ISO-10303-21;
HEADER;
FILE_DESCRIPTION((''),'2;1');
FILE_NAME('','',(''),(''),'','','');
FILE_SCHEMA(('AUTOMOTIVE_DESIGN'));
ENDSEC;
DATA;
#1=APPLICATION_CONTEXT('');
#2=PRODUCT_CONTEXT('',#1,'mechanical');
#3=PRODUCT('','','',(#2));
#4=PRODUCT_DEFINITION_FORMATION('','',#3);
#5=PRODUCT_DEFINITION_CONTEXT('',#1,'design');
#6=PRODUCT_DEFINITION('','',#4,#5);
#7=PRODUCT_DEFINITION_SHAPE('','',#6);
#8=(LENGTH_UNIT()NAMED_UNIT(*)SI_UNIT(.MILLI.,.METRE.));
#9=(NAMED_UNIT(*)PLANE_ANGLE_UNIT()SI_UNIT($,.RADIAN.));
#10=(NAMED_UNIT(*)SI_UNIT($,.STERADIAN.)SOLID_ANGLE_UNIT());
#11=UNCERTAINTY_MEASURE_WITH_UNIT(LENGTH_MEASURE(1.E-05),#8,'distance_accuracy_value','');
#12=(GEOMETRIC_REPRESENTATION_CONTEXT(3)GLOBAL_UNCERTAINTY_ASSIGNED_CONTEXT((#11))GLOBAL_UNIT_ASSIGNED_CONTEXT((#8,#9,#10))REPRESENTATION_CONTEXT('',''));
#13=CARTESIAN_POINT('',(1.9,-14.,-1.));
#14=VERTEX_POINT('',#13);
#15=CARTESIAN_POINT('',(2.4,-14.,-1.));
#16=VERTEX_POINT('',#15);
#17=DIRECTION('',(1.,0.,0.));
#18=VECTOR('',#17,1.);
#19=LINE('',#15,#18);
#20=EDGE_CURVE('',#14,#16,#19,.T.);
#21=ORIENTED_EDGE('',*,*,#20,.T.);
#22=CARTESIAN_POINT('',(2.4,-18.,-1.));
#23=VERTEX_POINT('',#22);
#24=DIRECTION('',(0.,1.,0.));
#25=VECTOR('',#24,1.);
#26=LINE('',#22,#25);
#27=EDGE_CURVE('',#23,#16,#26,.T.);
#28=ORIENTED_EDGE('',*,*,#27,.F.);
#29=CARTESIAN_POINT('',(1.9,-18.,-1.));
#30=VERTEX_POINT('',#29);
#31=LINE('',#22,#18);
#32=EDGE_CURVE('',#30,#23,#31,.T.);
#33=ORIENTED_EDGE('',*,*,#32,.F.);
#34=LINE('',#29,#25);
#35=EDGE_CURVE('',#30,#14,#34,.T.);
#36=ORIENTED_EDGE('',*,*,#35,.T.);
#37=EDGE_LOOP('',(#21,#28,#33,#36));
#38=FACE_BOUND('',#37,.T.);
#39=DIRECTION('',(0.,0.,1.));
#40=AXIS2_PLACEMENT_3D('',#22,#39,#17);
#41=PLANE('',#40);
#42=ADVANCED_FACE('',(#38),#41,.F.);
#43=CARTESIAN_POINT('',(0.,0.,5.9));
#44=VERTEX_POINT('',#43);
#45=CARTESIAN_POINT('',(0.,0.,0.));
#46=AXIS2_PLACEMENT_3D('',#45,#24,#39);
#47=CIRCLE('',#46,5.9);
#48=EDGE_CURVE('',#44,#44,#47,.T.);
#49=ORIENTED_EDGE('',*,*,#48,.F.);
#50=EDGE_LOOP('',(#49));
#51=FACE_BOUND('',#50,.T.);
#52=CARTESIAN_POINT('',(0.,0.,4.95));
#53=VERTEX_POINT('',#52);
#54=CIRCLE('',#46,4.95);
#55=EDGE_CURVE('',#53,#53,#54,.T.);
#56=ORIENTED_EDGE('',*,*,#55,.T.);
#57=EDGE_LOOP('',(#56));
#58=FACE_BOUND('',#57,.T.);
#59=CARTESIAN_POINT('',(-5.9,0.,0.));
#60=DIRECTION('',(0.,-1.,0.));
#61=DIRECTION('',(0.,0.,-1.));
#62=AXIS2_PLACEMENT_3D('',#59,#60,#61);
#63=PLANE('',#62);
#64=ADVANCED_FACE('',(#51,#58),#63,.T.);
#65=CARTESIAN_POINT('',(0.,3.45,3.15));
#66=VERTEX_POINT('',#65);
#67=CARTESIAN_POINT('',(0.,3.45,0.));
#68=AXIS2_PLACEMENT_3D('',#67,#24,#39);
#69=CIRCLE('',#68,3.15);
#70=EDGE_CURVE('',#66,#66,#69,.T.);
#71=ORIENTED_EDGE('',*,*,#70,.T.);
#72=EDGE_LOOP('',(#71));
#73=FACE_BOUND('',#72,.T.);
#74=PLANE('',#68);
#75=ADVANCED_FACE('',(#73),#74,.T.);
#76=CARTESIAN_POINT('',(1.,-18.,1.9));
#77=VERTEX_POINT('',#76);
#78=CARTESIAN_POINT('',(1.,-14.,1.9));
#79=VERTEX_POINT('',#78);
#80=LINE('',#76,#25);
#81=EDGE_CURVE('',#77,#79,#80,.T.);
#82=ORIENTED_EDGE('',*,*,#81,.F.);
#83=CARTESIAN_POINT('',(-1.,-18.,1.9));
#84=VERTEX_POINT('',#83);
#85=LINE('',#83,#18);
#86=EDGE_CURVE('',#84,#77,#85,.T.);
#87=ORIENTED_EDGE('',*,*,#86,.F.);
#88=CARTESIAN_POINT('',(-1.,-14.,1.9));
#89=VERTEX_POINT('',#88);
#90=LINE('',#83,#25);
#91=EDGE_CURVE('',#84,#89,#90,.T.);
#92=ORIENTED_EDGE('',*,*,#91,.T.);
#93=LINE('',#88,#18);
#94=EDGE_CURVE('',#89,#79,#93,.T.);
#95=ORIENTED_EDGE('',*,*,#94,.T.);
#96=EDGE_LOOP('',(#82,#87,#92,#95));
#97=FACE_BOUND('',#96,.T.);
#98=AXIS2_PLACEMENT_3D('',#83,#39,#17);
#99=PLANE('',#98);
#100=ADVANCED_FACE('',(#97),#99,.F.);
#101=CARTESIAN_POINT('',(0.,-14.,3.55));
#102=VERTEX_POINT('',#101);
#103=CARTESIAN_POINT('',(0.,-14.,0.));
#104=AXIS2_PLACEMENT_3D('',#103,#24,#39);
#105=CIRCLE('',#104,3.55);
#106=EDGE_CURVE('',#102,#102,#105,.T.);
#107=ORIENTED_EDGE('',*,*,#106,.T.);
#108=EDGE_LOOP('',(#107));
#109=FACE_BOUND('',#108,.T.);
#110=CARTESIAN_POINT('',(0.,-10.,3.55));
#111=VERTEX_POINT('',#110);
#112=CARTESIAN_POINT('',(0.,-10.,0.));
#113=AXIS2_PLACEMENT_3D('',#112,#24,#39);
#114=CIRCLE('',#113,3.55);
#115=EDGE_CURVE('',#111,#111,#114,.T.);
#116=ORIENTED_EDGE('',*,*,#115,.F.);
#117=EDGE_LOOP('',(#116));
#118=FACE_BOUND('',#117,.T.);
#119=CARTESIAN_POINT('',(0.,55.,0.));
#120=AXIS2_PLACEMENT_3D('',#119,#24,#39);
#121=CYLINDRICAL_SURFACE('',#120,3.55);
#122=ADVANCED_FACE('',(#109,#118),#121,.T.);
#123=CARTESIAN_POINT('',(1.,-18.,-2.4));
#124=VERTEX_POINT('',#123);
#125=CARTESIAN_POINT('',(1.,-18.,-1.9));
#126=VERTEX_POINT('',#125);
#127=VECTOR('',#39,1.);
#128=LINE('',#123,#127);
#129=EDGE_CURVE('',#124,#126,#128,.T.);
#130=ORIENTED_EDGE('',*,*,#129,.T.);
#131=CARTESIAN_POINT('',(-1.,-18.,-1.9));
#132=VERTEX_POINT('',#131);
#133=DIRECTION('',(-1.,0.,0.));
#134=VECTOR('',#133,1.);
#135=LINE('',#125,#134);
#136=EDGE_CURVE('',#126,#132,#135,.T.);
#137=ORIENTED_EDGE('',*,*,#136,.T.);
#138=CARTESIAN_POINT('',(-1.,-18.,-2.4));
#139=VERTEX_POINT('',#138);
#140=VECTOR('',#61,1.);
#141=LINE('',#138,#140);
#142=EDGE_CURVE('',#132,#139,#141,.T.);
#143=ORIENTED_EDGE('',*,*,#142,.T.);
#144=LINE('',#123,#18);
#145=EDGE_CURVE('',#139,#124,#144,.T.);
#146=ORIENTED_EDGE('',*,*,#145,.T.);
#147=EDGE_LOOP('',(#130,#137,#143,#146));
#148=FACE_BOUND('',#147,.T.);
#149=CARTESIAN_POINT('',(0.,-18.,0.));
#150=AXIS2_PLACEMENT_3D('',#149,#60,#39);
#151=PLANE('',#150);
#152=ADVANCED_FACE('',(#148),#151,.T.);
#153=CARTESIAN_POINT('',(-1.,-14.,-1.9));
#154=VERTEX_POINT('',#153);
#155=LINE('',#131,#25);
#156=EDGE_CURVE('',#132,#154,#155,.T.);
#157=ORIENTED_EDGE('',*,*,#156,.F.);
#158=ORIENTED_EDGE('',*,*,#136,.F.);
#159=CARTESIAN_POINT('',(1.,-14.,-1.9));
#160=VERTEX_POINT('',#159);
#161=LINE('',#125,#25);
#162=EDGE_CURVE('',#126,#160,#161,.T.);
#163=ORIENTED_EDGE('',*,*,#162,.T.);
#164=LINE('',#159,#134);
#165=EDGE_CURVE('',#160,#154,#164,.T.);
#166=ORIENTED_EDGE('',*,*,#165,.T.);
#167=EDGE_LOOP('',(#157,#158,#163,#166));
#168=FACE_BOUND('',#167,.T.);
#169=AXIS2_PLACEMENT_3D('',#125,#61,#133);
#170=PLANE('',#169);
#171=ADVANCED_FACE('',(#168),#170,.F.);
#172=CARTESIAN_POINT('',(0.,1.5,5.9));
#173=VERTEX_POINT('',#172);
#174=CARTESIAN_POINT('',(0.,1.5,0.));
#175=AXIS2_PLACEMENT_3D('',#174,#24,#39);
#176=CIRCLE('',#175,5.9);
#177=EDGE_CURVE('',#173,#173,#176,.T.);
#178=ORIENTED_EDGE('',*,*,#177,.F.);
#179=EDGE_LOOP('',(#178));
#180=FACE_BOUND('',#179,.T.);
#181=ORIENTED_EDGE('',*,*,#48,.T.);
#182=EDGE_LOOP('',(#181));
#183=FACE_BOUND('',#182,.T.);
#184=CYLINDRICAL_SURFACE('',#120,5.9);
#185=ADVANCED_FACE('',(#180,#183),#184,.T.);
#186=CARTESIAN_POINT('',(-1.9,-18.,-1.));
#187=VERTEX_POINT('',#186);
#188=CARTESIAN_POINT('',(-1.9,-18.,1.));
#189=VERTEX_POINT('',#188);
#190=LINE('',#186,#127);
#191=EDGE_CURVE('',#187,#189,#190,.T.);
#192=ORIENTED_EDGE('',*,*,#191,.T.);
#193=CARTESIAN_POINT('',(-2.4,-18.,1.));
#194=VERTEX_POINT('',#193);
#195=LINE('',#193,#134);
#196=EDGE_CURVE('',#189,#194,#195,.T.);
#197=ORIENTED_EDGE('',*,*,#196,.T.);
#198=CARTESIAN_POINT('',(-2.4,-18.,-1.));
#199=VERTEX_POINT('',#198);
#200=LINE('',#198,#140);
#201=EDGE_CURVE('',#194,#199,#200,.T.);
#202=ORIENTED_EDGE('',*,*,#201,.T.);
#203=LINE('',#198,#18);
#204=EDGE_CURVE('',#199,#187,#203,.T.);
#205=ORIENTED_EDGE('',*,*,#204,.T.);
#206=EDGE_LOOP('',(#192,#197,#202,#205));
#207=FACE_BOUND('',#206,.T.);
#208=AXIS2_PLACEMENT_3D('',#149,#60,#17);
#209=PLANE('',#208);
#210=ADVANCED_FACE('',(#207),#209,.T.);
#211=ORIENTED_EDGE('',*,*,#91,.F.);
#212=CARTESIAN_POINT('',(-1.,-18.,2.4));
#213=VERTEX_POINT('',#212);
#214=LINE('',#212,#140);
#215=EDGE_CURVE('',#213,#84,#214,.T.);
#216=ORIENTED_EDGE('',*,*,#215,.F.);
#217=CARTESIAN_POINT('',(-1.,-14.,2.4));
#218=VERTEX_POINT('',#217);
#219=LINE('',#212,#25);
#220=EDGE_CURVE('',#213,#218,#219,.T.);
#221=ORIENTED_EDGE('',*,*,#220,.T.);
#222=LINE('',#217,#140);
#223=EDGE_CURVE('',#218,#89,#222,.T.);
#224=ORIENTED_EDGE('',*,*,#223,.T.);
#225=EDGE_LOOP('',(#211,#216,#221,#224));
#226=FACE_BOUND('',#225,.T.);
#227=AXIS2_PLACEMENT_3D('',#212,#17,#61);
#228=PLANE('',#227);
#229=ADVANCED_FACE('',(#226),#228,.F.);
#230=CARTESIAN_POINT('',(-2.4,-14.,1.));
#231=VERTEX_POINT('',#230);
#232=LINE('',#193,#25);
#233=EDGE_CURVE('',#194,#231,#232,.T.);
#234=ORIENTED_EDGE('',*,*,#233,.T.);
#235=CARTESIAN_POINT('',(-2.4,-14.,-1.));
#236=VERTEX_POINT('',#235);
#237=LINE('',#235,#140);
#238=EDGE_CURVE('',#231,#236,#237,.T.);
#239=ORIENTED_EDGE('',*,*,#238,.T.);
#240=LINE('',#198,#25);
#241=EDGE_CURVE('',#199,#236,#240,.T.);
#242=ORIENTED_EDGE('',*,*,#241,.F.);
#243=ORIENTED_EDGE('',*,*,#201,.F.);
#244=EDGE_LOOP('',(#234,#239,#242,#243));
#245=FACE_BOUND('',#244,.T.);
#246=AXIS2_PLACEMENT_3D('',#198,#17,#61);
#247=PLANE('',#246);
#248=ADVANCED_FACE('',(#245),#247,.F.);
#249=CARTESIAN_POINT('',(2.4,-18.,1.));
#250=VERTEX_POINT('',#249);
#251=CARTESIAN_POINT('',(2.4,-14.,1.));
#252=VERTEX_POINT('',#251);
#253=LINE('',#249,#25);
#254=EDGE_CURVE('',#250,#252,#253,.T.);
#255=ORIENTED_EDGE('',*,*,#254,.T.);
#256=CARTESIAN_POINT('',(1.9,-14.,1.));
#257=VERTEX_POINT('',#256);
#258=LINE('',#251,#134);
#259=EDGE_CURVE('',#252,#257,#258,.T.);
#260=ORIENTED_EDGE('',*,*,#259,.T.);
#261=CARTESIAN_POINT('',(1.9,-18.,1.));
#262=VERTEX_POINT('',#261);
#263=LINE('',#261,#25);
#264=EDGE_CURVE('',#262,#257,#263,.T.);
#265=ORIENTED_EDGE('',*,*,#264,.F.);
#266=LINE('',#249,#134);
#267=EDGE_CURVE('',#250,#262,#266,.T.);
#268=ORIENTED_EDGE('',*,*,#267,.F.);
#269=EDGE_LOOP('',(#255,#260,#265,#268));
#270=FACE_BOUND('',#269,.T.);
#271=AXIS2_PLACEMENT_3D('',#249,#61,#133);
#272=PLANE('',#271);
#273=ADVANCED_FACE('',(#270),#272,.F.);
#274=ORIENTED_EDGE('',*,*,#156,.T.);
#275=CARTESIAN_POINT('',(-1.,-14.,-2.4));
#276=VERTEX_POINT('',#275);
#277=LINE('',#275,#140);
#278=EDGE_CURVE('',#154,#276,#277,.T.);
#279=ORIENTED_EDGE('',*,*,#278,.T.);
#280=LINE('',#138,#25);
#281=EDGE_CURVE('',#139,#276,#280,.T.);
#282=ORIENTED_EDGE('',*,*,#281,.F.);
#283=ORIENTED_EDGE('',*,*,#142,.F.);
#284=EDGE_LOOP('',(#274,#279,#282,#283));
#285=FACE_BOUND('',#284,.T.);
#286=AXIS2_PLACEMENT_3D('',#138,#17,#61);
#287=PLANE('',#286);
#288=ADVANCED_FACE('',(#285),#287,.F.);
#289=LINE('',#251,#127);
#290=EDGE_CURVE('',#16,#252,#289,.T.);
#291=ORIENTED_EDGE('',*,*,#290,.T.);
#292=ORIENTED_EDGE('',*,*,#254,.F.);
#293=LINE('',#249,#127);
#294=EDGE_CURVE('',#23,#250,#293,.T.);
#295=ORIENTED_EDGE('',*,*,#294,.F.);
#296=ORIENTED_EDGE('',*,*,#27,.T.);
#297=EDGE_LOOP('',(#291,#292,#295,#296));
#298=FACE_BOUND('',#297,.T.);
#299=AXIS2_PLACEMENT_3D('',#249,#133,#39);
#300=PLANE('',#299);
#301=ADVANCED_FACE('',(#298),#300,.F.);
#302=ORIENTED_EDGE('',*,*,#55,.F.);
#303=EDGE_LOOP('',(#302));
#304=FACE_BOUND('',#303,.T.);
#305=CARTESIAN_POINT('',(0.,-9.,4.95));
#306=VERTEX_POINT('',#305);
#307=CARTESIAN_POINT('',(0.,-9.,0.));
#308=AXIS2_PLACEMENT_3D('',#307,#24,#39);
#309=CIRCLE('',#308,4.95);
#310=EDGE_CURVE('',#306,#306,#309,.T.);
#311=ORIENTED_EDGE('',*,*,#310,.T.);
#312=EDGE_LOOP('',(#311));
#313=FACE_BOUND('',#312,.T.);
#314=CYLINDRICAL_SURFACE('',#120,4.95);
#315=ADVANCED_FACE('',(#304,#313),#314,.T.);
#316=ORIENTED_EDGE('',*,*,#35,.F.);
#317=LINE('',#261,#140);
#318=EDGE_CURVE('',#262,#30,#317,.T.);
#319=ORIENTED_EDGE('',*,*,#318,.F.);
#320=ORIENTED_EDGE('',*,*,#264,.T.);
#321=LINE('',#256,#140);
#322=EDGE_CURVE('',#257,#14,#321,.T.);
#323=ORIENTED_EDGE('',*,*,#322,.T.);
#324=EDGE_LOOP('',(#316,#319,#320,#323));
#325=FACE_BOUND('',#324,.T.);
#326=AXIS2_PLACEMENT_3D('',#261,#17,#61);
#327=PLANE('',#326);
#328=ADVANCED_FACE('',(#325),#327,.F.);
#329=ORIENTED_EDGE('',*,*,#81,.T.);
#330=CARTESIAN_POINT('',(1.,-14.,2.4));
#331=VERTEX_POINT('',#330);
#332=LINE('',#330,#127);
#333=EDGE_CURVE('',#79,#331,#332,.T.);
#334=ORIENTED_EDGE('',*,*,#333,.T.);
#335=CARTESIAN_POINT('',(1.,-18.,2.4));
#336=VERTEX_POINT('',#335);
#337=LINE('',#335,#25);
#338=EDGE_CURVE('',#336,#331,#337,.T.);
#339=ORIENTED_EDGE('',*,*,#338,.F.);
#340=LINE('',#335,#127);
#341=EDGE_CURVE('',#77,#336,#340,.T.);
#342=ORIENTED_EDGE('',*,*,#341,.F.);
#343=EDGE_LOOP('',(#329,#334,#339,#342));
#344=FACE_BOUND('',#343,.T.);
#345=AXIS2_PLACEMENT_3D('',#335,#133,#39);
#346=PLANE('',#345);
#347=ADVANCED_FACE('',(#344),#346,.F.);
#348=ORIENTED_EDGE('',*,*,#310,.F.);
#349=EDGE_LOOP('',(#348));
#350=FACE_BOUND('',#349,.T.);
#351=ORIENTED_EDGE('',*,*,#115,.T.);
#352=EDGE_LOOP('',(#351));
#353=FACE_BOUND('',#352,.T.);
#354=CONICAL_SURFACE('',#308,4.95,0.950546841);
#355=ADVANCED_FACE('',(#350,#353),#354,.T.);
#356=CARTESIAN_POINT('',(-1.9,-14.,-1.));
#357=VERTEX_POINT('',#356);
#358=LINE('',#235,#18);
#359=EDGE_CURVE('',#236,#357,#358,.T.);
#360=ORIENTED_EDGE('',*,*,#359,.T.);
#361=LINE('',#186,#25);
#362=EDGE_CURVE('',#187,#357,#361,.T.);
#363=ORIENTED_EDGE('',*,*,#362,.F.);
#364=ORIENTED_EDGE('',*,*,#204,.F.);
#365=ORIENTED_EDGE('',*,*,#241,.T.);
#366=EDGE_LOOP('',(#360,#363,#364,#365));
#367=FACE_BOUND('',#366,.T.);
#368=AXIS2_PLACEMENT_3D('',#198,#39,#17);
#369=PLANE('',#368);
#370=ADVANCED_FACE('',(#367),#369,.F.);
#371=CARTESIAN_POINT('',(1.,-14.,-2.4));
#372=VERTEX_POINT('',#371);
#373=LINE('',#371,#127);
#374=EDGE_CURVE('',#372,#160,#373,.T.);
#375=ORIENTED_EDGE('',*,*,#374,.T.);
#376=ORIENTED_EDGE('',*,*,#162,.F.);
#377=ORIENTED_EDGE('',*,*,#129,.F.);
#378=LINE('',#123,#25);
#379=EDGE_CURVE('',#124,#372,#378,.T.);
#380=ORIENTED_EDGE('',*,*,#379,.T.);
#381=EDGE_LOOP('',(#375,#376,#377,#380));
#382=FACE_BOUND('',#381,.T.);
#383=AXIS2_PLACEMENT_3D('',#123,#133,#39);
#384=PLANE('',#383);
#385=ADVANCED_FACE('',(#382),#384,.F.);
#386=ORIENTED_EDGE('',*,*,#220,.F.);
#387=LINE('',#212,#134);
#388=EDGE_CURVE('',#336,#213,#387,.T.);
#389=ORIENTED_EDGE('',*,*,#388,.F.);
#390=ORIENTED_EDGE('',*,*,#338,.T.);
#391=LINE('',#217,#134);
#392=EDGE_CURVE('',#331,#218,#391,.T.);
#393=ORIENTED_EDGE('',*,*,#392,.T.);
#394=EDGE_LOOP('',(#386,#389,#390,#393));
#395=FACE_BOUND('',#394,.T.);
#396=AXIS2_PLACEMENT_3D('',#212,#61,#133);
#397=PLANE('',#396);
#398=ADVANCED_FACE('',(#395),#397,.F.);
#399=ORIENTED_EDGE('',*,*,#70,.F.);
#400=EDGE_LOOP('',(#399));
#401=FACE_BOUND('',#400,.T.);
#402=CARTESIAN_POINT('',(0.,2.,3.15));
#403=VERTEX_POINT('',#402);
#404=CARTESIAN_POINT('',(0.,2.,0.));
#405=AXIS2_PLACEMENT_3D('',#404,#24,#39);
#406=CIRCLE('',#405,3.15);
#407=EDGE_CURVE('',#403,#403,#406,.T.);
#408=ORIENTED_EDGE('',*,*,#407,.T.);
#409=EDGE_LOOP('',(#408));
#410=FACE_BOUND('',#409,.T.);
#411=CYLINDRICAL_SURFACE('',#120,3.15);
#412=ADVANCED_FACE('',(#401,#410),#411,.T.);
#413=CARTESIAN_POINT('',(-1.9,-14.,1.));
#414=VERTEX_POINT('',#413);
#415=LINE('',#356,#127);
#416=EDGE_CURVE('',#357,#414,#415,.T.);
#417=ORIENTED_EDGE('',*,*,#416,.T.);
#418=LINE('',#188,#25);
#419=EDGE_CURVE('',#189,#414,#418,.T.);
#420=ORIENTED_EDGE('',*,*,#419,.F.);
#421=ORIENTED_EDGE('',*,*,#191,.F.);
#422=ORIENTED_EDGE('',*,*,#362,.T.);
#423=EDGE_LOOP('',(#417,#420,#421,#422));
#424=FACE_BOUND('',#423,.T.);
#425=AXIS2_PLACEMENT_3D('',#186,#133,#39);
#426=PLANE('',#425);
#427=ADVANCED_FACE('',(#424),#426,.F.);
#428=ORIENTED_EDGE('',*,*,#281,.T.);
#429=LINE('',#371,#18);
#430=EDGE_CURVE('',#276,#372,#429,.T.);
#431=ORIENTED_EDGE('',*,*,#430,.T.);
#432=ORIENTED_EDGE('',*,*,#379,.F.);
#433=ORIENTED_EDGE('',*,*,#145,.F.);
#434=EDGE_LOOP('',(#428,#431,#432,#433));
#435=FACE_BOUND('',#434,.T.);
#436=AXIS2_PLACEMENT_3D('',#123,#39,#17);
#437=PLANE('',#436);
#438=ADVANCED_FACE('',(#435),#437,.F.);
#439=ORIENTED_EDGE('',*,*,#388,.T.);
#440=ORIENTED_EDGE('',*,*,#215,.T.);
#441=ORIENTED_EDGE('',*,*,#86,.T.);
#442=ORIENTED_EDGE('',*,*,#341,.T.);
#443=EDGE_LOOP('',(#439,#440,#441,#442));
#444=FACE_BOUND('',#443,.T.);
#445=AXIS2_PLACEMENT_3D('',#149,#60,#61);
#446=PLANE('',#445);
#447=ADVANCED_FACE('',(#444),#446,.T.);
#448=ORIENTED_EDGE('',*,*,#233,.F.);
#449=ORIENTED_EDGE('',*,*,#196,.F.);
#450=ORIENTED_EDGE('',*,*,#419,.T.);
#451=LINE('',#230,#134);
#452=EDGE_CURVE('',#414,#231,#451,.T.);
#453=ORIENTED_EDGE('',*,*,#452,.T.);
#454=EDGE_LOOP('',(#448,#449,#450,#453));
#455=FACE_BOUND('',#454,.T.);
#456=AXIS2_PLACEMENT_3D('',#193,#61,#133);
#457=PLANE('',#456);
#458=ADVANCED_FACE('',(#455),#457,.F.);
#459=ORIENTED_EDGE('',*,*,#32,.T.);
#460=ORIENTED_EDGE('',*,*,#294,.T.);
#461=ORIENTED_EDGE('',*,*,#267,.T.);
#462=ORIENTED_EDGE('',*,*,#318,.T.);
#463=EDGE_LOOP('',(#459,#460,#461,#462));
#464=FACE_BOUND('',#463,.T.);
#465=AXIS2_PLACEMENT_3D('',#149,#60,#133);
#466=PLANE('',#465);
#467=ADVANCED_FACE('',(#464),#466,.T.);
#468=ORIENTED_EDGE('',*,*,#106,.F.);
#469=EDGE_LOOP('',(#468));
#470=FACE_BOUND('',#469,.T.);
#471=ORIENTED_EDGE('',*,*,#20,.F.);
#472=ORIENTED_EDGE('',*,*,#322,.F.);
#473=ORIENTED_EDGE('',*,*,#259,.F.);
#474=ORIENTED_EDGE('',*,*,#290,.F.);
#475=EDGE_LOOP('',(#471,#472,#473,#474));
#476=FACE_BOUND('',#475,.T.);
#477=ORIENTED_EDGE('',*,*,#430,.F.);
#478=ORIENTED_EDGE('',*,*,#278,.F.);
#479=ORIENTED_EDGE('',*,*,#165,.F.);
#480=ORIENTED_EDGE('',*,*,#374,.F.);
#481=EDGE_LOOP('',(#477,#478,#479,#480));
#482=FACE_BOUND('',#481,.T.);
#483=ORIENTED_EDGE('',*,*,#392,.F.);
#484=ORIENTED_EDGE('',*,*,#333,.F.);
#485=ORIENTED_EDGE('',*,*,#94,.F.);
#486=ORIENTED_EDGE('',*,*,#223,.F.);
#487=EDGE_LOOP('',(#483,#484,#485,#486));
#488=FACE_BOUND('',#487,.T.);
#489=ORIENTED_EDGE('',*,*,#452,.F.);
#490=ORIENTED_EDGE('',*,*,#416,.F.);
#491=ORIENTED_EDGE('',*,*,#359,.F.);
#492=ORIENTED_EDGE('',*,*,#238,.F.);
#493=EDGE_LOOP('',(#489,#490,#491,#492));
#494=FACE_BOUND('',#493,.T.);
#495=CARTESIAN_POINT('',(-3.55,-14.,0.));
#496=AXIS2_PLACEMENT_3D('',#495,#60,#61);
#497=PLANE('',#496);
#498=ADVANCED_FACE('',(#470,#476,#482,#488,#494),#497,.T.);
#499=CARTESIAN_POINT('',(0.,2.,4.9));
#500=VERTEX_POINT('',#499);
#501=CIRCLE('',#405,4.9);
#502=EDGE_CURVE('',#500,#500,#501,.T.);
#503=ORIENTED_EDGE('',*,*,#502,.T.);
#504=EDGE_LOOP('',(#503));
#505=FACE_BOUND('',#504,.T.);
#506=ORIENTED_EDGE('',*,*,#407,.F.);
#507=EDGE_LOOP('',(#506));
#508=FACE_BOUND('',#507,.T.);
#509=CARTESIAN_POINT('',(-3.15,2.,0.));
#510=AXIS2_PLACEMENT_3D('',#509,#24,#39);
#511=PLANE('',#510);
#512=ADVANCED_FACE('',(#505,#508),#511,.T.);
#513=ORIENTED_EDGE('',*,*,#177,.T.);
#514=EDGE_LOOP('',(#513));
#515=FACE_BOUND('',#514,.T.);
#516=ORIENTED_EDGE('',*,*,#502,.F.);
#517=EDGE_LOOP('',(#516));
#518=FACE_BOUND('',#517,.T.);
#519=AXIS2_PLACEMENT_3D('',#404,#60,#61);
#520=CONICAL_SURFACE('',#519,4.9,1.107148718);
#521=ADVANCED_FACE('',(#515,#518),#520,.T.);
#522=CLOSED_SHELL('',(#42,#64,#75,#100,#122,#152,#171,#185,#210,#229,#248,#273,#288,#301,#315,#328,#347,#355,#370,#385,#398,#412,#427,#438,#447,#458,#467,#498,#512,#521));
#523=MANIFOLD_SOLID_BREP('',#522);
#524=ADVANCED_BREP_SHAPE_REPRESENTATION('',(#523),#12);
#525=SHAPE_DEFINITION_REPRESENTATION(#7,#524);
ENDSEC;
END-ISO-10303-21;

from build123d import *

# Parameters (mm, degrees)
ESQUISSE2_W                  = 2
ESQUISSE2_H                  = 0.5
BOSS_EXTRU_1_DEPTH           = 4
R_P_TITION_CIRCULAIRE1_COUNT = 4


with BuildPart() as part:
    # Esquisse1 → Révolution1 (revolve)
    with BuildSketch(Plane.XY, mode=Mode.PRIVATE) as r_volution1_sk:
        Polygon((0, 3.45), (-3.15, 3.45), (-3.15, 2), (-4.9, 2), (-5.9, 1.5), (-5.9, 0), (-4.95, 0), (-4.95, -9), (-3.55, -10), (-3.55, -14), (0, -14), align=None)
    revolve(r_volution1_sk.sketch.rotate(Axis((0, 55, 0), (0, -1, 0)), 270), axis=Axis((0, 55, 0), (0, -1, 0)))

    # Esquisse2 → Boss.-Extru.1 (add)
    with BuildSketch(Plane.XZ.offset(14)):
        with Locations((0, 2.15)):
            Rectangle(ESQUISSE2_W, ESQUISSE2_H)
    boss_extru_1 = extrude(amount=BOSS_EXTRU_1_DEPTH)

    # Répétition circulaire1: Boss.-Extru.1 ×4 about axis
    r_p_tition_circulaire1_axis = Axis((0, 0, 0), (0, 1, 0))
    for i in range(1, R_P_TITION_CIRCULAIRE1_COUNT):
        add(boss_extru_1.rotate(r_p_tition_circulaire1_axis, i * 360 / R_P_TITION_CIRCULAIRE1_COUNT))


solid = part.part
